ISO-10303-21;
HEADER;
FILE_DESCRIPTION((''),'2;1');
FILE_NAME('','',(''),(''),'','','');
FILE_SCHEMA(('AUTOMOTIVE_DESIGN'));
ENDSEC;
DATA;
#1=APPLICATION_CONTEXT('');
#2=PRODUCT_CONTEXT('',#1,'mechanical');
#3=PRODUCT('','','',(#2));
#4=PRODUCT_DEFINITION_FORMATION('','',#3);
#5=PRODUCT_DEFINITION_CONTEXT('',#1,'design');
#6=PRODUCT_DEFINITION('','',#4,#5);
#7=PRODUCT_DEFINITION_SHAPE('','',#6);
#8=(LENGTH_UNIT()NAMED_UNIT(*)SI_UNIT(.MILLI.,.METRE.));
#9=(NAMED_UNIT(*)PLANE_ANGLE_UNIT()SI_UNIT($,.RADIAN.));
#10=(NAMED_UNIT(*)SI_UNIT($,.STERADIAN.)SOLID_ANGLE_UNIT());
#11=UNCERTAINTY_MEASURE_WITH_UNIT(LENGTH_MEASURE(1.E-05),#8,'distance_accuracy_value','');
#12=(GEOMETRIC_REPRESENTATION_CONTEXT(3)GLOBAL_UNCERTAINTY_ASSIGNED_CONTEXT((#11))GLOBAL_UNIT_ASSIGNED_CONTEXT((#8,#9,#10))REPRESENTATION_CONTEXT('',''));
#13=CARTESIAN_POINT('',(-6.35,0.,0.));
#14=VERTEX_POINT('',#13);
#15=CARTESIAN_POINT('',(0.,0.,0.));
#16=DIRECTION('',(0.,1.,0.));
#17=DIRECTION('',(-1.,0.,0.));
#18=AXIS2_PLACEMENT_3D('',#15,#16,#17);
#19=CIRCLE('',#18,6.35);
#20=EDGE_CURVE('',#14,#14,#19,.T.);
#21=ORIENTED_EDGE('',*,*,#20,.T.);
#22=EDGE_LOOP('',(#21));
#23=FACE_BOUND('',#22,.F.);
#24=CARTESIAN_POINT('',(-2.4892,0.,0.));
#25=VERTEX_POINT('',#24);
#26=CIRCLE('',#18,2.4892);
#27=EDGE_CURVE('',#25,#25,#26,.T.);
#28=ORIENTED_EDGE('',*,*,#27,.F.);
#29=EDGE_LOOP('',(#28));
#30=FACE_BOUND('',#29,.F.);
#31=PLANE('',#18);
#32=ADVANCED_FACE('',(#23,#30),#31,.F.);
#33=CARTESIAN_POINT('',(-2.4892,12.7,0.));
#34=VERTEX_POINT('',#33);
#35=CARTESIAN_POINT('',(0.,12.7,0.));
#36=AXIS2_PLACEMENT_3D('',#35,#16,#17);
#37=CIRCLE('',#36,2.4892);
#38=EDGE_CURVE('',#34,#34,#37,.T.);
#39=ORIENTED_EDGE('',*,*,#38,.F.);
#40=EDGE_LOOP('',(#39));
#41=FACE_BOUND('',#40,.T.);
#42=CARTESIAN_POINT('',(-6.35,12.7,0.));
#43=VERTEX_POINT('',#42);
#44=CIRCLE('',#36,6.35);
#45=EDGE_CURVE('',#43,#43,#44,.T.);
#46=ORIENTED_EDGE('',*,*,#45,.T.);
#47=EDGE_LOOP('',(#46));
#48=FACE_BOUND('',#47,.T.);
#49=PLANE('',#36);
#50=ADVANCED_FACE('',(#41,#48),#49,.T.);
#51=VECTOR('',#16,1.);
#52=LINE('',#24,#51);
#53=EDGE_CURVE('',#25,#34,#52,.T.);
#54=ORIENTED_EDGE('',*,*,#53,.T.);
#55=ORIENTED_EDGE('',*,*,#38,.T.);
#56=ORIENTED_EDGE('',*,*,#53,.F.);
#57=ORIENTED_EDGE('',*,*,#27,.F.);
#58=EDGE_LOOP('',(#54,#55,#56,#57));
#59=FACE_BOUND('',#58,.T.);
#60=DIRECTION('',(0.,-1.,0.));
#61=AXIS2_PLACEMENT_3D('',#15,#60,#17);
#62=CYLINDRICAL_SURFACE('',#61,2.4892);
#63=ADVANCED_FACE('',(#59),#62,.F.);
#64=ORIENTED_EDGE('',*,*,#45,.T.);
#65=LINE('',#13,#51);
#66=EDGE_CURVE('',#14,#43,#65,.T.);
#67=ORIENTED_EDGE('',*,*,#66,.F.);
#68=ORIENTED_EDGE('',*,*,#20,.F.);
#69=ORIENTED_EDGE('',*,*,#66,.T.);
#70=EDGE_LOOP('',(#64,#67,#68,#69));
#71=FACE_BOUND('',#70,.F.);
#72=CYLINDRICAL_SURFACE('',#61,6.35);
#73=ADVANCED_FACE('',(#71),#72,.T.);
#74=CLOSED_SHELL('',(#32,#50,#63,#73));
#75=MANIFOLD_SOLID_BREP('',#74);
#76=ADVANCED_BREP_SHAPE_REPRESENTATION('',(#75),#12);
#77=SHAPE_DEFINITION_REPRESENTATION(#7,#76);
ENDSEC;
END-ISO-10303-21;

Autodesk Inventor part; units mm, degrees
ref_plane "YZ Plane" through (0, 0, 0) normal (1, 0, 0) x (0, 1, 0)
ref_plane "XZ Plane" through (0, 0, 0) normal (0, 1, 0) x (-1, 0, 0)
ref_plane "XY Plane" through (0, 0, 0) normal (0, 0, 1) x (1, 0, 0)
sketch "Sketch1" plane through (0, 0, 0) normal (0, 1, 0) x (-1, 0, 0)
  circle A0 centre (0, 0) radius 6.35
  circle A1 centre (0, 0) radius 2.4892
  dimension "d0" = 12.7
  dimension "d1" = 4.9784
extrude "Extrusion1" add sketch "Sketch1" along normal blind 12.7
properties part number "Standoff" material "Aluminum 6061"
